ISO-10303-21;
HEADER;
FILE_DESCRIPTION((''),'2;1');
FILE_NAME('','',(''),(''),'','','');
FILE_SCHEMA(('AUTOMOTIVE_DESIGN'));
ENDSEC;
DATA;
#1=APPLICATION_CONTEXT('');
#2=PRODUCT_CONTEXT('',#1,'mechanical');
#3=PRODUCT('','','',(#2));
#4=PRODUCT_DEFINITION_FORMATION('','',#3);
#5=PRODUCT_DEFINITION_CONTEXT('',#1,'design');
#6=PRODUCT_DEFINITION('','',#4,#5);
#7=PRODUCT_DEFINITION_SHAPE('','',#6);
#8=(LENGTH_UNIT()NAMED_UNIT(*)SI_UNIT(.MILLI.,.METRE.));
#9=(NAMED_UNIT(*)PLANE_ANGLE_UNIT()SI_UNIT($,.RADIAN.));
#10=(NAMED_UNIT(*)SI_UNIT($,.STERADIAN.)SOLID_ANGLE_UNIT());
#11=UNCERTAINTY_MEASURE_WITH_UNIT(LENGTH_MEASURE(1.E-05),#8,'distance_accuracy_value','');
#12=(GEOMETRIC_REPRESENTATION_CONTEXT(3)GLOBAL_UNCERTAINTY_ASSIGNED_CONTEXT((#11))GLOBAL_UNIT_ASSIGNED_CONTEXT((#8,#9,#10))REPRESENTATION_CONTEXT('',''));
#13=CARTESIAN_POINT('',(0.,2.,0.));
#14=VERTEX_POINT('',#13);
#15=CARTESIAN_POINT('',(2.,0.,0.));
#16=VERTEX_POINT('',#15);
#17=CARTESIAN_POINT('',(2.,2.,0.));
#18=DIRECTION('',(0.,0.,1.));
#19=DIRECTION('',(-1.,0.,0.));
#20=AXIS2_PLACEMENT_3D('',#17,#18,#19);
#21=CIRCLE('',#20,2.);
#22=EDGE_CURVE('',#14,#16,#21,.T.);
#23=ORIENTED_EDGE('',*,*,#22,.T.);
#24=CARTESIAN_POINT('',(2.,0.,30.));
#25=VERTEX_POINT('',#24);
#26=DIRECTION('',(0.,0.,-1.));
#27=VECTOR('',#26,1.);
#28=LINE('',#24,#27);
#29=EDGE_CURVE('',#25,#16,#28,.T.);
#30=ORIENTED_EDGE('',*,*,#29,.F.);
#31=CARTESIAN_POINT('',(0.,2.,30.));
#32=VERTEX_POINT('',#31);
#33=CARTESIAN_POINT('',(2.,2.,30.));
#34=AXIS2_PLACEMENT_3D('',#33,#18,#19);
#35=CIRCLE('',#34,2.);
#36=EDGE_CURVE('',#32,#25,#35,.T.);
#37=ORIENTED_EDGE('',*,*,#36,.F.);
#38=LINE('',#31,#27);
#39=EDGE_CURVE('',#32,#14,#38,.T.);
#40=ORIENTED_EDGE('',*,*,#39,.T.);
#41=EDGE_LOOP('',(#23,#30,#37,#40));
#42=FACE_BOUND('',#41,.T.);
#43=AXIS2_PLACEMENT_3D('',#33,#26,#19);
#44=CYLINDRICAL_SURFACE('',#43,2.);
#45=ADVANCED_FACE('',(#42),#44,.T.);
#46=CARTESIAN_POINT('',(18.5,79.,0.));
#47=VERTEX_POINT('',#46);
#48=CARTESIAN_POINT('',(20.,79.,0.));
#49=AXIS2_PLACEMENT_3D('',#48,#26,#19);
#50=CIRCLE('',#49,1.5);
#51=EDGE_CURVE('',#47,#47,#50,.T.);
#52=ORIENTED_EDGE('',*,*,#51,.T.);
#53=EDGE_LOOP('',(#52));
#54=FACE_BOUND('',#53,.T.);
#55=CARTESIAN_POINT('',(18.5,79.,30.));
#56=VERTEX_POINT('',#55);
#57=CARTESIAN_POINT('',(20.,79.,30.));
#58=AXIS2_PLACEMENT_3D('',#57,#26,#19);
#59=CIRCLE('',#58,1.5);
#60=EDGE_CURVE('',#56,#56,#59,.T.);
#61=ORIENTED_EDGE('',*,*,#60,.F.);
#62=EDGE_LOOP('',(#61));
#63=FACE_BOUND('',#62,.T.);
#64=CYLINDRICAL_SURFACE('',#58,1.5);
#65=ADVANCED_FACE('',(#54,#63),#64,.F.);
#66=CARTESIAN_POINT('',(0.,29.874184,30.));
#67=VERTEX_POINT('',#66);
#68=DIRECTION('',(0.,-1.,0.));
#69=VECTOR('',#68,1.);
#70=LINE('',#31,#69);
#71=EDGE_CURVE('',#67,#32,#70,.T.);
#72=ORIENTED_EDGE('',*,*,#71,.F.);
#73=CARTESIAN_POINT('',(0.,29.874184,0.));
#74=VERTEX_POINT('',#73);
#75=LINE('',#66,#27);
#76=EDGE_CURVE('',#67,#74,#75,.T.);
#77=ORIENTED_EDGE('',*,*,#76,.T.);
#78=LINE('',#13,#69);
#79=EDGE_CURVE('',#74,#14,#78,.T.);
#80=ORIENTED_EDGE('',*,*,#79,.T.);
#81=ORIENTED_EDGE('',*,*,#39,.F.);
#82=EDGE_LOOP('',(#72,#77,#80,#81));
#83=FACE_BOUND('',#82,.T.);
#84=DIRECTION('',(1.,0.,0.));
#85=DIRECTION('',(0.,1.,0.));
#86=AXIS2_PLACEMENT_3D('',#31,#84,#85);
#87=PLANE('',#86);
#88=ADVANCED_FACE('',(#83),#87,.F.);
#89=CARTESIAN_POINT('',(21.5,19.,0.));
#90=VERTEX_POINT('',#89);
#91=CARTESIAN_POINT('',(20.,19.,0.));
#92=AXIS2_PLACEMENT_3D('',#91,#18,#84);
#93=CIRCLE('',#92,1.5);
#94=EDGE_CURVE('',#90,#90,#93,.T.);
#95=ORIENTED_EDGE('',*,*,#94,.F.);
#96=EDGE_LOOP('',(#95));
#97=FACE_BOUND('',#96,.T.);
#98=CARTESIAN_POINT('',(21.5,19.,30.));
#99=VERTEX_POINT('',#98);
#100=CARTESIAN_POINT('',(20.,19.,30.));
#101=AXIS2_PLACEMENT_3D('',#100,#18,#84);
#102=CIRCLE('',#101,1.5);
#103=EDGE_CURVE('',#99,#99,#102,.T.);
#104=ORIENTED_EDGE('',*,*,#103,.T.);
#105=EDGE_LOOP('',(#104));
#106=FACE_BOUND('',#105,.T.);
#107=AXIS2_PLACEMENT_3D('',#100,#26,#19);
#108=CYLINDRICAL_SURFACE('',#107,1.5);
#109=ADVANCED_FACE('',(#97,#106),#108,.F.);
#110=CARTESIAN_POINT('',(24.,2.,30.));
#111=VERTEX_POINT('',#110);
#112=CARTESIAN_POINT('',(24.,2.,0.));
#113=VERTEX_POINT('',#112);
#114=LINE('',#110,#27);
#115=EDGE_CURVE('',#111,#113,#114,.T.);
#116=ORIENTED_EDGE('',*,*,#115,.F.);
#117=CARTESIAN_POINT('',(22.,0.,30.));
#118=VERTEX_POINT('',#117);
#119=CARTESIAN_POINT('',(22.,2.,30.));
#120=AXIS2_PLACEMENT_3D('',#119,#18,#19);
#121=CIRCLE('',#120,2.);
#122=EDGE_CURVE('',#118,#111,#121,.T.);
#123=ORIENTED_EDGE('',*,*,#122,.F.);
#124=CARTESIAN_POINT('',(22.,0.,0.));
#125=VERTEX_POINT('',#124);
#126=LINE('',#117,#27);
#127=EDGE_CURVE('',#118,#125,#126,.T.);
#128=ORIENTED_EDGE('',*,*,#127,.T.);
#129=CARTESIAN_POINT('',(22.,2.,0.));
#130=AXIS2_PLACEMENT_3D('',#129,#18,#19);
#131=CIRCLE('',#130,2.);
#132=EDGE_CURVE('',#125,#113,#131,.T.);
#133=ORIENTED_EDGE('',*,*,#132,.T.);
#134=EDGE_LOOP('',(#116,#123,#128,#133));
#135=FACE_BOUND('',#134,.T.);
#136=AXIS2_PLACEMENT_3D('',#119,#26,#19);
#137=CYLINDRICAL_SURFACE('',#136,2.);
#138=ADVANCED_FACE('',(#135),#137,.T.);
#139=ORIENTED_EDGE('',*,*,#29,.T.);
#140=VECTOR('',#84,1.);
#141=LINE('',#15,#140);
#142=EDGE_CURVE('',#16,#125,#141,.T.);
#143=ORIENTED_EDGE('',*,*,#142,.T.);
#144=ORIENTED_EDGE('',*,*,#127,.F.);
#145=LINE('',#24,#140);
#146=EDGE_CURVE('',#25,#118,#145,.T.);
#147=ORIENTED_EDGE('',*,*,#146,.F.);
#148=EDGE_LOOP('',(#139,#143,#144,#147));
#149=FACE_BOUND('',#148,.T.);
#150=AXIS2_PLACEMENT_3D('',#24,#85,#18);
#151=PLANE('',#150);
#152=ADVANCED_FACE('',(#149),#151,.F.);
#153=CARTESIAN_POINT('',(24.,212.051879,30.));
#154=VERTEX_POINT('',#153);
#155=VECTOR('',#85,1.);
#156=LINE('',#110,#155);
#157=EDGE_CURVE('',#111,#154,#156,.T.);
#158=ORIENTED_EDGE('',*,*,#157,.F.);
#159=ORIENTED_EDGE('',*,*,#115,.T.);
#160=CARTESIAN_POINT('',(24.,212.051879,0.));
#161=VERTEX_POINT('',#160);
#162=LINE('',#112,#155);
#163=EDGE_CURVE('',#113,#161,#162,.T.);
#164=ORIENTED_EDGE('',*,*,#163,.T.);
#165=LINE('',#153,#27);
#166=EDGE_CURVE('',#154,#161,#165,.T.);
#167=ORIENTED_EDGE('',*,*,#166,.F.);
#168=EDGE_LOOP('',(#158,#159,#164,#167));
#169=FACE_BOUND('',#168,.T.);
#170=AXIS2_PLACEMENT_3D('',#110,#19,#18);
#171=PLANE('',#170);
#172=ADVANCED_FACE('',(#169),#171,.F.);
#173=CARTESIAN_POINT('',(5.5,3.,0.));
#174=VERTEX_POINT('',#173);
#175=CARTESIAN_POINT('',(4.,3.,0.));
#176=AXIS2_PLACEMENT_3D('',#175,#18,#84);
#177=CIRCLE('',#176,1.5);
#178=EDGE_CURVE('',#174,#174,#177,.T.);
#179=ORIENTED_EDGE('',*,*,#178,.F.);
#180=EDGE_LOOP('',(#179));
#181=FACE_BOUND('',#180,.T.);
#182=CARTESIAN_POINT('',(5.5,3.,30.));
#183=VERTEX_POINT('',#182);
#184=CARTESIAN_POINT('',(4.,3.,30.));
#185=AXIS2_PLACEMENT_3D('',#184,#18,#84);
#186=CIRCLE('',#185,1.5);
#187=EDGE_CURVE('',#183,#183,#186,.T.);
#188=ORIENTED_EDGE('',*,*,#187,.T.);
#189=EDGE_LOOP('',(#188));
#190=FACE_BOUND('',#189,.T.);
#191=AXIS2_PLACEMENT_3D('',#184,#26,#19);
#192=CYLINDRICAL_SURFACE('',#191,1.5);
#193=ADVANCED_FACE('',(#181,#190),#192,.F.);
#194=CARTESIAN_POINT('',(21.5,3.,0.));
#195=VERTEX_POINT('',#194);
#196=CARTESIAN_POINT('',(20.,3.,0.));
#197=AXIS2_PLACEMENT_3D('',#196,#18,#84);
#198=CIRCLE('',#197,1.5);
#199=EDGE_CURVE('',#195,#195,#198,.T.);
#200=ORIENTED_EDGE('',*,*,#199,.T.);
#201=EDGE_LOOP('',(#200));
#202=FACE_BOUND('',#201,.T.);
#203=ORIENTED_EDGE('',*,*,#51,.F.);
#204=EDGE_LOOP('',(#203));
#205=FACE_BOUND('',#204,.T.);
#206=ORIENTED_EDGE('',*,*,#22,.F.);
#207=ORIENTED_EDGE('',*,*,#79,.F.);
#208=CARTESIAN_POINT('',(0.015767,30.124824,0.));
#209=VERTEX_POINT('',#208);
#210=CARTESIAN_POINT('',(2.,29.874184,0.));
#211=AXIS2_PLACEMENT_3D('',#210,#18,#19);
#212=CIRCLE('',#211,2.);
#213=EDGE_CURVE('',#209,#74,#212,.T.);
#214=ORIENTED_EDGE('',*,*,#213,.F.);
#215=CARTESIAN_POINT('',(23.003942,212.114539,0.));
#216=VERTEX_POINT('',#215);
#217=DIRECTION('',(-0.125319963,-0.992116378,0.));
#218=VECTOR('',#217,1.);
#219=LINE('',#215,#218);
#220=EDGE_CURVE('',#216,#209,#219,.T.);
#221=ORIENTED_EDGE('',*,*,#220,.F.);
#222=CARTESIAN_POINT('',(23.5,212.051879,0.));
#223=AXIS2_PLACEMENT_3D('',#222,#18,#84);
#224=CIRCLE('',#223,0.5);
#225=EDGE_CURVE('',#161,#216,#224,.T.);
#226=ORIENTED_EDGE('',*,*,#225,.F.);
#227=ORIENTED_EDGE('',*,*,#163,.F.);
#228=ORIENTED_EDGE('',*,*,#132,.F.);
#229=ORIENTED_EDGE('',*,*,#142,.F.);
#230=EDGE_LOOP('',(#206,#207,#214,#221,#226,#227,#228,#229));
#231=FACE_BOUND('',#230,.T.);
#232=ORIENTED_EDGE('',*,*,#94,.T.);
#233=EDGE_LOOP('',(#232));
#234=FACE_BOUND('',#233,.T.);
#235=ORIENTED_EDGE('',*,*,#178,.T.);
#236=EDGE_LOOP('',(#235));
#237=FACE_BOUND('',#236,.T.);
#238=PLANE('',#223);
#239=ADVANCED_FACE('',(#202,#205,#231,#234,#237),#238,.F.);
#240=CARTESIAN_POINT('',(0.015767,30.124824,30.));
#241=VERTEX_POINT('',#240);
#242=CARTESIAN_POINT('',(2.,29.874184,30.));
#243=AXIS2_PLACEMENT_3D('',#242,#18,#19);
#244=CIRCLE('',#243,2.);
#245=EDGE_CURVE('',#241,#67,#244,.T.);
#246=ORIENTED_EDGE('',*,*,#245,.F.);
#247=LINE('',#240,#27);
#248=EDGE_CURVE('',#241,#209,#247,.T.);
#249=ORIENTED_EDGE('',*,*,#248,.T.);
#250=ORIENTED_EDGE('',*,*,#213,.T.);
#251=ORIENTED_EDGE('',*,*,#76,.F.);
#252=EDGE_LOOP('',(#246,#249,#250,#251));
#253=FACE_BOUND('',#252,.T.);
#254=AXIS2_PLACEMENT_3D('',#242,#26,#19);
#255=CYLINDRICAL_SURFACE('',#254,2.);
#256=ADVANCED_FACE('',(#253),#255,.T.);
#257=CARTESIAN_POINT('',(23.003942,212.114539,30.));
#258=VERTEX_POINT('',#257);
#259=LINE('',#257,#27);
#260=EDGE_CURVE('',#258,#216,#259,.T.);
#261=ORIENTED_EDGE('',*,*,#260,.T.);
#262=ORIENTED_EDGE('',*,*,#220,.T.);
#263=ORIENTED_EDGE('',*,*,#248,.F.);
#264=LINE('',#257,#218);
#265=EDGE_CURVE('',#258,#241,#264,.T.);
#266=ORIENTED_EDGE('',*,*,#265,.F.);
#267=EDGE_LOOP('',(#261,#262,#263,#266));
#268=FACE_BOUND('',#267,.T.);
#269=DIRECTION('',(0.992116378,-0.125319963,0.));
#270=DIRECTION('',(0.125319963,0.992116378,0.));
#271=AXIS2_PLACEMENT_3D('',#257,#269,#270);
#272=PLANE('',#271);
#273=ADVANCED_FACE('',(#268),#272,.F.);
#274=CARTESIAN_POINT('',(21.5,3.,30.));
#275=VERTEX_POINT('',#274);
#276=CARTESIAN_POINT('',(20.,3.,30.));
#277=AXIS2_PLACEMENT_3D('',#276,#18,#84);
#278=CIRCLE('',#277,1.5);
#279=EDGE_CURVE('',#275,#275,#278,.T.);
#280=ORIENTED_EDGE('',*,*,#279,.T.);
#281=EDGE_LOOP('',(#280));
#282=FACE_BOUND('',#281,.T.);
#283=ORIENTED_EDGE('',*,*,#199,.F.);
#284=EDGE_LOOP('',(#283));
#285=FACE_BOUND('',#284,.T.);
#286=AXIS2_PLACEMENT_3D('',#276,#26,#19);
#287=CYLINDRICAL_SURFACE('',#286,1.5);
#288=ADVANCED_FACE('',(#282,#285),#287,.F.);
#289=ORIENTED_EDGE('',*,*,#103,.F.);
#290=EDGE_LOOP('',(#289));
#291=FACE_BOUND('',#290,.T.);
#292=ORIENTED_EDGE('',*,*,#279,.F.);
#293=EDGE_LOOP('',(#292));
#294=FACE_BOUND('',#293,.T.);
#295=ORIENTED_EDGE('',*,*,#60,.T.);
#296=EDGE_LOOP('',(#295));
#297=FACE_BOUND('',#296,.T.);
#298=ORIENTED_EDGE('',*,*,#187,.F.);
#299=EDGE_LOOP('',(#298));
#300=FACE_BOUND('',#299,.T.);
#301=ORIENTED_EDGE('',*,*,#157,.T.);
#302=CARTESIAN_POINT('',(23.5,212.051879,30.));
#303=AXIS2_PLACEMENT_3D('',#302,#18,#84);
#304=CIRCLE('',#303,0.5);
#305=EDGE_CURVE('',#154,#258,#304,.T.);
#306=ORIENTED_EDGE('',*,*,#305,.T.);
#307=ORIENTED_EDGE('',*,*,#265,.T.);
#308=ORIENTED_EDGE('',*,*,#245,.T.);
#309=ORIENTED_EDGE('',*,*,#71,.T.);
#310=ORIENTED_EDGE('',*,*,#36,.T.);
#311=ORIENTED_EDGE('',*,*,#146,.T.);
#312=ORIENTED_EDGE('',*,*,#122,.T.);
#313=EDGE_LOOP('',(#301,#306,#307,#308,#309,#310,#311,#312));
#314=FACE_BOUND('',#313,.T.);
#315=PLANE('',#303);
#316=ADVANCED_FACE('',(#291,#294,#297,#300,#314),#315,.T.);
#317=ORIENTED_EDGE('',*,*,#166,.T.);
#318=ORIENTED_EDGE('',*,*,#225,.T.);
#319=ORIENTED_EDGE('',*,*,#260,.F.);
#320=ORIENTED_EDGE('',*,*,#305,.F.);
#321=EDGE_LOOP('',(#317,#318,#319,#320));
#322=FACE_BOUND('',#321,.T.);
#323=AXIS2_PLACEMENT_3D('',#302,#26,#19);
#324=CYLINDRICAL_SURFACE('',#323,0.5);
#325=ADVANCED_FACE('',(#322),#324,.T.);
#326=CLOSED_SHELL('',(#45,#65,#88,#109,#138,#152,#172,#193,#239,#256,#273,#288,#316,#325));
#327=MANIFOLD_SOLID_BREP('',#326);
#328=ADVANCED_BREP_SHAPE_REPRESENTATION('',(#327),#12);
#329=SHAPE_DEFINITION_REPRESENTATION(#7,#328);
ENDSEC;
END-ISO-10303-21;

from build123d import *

# Parameters (mm, degrees)
SKETCH_1_R          = 1.5
EXTRUDE_2_DEPTH     = 30
SKETCH_2_R          = 1.5
CUT_EXTRUDE_1_DEPTH = 216.996068062


with BuildPart() as part:
    # 草图1 → 凸台-拉伸2 (new body)
    with BuildSketch(Plane.XY):
        with BuildLine():
            Line((23.003941811, 212.114539339), (0.015767245, 30.124824021))
            ThreePointArc((0.015767245, 30.124824021), (0.003945703, 29.999751784), (0, 29.874184094))
            Line((0, 29.874184094), (0, 2))
            ThreePointArc((0, 2), (0.585786438, 0.585786438), (2, 0))
            Line((2, 0), (22, 0))
            ThreePointArc((22, 0), (23.414213562, 0.585786438), (24, 2))
            Line((24, 2), (24, 212.051879357))
            ThreePointArc((24, 212.051879357), (23.531391922, 212.550892931), (23.003941811, 212.114539339))
        make_face()
        with Locations((20, 3)):
            Circle(SKETCH_1_R, mode=Mode.SUBTRACT)
        with Locations((4, 3)):
            Circle(SKETCH_1_R, mode=Mode.SUBTRACT)
        with Locations((20, 19)):
            Circle(SKETCH_1_R, mode=Mode.SUBTRACT)
    extrude(amount=EXTRUDE_2_DEPTH)

    # 草图2 → 切除-拉伸1 (cut, through all)
    with BuildSketch(Plane(origin=(0, 0, 0), x_dir=(-1, 0, 0), z_dir=(0, 0, -1))):
        with Locations((-20, 79)):
            Circle(SKETCH_2_R)
    extrude(amount=-CUT_EXTRUDE_1_DEPTH, mode=Mode.SUBTRACT)


solid = part.part
